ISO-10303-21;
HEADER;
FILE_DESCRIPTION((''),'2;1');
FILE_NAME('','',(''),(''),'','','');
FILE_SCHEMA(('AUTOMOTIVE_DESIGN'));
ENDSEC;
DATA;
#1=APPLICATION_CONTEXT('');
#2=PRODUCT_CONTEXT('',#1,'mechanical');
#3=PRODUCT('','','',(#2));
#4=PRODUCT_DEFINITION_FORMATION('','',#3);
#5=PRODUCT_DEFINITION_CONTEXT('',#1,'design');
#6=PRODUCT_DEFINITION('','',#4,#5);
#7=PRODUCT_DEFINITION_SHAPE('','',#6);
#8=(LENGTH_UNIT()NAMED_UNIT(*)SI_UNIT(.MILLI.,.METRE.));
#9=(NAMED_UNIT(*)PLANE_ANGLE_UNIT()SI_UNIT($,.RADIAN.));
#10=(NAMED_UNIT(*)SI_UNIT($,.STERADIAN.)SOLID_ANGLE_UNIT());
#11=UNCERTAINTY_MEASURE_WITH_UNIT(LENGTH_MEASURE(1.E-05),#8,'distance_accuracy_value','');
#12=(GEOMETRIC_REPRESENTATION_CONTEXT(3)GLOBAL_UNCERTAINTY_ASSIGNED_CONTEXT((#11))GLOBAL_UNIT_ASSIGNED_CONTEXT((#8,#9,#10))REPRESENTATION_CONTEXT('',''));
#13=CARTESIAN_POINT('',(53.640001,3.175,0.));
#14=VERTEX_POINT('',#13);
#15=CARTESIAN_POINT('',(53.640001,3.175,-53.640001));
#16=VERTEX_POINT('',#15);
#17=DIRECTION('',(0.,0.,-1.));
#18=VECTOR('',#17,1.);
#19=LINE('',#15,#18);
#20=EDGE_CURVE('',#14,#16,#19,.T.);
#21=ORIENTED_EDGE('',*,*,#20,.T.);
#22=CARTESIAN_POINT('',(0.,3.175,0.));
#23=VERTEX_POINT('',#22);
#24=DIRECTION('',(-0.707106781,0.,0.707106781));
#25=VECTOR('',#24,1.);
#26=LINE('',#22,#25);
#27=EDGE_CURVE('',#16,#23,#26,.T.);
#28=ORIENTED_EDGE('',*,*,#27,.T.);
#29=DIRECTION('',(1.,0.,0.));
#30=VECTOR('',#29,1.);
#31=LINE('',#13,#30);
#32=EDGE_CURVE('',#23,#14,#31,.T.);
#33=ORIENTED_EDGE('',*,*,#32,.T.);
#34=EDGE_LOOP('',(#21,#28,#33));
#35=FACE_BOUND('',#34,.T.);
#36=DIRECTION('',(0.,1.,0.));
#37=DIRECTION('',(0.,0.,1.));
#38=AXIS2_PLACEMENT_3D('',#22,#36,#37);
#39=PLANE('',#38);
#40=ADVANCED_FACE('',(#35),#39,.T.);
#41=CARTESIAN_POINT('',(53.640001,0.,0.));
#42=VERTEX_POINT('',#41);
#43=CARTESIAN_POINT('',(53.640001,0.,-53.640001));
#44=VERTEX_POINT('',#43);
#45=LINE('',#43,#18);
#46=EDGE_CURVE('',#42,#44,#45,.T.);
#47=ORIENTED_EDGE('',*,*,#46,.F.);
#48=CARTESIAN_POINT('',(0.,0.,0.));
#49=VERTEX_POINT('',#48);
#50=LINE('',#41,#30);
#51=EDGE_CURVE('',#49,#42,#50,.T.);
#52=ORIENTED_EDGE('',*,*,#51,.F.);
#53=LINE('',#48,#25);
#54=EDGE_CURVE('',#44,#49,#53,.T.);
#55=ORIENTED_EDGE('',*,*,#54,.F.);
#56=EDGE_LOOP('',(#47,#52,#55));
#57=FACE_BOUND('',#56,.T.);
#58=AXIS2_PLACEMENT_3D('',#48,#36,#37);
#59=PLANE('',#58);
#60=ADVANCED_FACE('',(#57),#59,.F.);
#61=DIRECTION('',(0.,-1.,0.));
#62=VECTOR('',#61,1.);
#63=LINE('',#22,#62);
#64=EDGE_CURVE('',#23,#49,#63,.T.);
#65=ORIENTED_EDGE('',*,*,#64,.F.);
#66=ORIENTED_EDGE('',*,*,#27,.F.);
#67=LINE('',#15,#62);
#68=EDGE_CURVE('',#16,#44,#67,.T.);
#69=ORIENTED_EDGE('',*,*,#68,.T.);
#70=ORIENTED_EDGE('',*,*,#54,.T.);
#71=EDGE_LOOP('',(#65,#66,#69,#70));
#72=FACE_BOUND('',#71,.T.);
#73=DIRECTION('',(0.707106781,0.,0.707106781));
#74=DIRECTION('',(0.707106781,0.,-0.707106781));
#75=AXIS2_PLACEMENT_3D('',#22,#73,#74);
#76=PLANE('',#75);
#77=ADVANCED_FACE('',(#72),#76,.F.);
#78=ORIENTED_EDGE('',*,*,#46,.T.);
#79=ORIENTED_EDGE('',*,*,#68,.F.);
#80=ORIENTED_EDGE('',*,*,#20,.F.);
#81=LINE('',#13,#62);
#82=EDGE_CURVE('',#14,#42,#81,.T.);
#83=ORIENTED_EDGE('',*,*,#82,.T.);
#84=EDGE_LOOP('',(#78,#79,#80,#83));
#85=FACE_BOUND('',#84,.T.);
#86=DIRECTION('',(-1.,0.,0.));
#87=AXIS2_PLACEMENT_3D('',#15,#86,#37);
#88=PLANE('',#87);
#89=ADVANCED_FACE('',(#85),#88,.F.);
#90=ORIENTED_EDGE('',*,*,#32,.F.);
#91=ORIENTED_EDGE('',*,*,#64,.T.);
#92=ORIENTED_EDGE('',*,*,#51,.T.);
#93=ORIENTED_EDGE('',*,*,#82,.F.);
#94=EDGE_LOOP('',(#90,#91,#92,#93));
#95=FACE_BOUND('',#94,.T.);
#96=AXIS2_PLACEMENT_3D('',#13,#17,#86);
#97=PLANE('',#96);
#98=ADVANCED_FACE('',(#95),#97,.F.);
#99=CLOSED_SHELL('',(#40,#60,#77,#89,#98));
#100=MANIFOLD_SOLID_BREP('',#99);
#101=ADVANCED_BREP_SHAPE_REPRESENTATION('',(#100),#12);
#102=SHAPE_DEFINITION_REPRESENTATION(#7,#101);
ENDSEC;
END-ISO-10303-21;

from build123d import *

# Parameters (mm, degrees)
BOSS_EXTRUDE1_DEPTH = 3.175


with BuildPart() as part:
    # Sketch1 → Boss-Extrude1 (new body)
    with BuildSketch(Plane(origin=(0, 0, 0), x_dir=(1, 0, 0), z_dir=(0, 1, 0))):
        Polygon((0, 0), (53.640001, 53.640001), (53.640001, 0), align=None)
    extrude(amount=BOSS_EXTRUDE1_DEPTH)


solid = part.part
